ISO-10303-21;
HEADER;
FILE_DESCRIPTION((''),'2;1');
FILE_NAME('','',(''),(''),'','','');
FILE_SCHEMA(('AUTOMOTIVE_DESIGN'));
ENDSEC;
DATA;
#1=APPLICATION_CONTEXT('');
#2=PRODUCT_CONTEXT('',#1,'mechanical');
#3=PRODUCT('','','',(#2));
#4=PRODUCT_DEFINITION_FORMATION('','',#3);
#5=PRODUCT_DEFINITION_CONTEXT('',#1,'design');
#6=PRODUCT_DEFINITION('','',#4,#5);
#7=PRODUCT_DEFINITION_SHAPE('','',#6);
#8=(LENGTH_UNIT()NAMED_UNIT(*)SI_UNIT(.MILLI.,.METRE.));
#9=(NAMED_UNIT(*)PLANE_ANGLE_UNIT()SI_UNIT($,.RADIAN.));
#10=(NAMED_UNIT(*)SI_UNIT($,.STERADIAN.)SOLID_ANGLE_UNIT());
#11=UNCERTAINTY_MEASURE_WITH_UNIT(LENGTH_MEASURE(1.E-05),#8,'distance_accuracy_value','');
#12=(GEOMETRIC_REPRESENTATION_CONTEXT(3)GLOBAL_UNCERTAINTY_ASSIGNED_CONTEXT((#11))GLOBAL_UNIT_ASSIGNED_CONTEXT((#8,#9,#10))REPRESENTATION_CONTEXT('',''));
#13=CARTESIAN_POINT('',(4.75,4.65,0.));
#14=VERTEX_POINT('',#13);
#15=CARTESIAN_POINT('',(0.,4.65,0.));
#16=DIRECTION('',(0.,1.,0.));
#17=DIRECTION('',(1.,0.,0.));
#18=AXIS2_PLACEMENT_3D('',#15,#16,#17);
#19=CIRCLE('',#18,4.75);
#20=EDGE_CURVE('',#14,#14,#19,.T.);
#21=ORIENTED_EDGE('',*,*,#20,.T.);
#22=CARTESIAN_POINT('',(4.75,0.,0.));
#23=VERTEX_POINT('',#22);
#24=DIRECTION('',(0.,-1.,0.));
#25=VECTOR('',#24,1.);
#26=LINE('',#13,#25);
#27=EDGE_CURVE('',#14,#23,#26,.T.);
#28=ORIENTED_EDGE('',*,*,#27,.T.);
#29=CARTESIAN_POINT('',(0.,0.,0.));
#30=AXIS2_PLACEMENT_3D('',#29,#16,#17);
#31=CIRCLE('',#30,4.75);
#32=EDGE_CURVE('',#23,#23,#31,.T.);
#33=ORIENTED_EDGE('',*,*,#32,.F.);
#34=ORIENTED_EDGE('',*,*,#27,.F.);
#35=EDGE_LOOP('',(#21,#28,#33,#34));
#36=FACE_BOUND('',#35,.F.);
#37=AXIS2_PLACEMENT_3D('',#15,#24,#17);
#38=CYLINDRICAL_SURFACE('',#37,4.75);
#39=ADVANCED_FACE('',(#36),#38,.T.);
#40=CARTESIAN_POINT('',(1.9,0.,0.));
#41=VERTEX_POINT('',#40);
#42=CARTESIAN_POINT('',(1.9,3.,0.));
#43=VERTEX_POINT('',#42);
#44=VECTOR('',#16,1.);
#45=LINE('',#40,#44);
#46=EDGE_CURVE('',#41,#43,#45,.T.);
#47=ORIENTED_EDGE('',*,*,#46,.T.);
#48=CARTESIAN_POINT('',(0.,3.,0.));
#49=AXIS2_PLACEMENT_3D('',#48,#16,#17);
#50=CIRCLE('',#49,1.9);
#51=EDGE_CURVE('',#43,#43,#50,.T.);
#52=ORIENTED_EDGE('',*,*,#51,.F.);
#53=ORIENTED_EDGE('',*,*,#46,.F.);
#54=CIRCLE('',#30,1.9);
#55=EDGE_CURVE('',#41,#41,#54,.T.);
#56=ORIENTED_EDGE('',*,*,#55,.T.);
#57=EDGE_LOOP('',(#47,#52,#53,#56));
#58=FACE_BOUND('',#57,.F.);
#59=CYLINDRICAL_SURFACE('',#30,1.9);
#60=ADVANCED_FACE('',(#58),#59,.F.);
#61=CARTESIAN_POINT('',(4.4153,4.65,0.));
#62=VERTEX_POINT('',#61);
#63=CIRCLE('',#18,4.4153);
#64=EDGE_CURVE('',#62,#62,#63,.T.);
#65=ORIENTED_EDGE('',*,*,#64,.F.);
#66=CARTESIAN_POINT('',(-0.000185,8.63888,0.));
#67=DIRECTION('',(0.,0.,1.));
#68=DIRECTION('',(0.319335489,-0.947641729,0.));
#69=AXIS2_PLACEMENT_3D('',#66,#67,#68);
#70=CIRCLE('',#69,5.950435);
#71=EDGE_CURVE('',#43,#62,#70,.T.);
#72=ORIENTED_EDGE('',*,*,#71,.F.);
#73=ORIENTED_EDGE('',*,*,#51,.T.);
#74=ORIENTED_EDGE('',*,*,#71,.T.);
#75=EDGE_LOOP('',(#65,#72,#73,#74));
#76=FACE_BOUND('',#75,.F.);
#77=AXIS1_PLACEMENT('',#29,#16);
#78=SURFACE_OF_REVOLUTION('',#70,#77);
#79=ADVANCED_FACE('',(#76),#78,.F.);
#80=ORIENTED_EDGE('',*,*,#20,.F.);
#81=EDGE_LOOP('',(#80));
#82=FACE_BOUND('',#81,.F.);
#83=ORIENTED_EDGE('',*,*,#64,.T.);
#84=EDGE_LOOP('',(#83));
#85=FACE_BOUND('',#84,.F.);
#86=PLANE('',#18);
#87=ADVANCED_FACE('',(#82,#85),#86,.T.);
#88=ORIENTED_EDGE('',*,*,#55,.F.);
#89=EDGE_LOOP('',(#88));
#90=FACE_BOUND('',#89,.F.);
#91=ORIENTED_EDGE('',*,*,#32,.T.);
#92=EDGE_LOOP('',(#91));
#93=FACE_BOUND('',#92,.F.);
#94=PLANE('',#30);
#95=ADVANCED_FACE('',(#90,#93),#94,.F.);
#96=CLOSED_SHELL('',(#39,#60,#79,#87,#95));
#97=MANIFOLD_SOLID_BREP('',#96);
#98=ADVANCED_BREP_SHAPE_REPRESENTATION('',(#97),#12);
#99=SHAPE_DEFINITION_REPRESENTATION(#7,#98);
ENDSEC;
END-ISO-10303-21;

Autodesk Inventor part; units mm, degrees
ref_plane "YZ Plane" through (0, 0, 0) normal (1, 0, 0) x (0, 1, 0)
ref_plane "XZ Plane" through (0, 0, 0) normal (0, 1, 0) x (-1, 0, 0)
ref_plane "XY Plane" through (0, 0, 0) normal (0, 0, 1) x (1, 0, 0)
sketch "Sketch1" plane through (0, 0, 0) normal (0, 0, 1) x (1, 0, 0)
  line L0 (1.9, 0) -> (1.9, 3)
  line L1 (4.4153, 4.65) -> (4.75, 4.65)
  line L2 (4.75, 4.65) -> (4.75, 0)
  line L3 (4.75, 0) -> (1.9, 0)
  line L4 (0, 0) -> (0, 3)
  arc A0 (1.9, 3) -> (4.4153, 4.65) centre (0, 8.6385) ccw
  dimension "d0" = 4.65
  dimension "d2" = 4.75
  dimension "d10" = 5.95
  dimension "d11" = 3
  dimension "d12" = 1.9
revolve "Revolution1" add sketch "Sketch1" angle 360 about axis through (0, 0, 0) along (0, 1, 0)
equation "\"d2\" = 0.5 * MAGDIA"
equation "\"THICKA\" = 3.175"
equation "\"THICKB\" = 6.731"
equation "\"THICKC\" = 12.7"
equation "\"MAGDIA\" = 9.5"
equation "\"BALLDIA\" = 12"
equation "\"THICKPLY\" = 5"
properties part number "Joint_Magnet"
